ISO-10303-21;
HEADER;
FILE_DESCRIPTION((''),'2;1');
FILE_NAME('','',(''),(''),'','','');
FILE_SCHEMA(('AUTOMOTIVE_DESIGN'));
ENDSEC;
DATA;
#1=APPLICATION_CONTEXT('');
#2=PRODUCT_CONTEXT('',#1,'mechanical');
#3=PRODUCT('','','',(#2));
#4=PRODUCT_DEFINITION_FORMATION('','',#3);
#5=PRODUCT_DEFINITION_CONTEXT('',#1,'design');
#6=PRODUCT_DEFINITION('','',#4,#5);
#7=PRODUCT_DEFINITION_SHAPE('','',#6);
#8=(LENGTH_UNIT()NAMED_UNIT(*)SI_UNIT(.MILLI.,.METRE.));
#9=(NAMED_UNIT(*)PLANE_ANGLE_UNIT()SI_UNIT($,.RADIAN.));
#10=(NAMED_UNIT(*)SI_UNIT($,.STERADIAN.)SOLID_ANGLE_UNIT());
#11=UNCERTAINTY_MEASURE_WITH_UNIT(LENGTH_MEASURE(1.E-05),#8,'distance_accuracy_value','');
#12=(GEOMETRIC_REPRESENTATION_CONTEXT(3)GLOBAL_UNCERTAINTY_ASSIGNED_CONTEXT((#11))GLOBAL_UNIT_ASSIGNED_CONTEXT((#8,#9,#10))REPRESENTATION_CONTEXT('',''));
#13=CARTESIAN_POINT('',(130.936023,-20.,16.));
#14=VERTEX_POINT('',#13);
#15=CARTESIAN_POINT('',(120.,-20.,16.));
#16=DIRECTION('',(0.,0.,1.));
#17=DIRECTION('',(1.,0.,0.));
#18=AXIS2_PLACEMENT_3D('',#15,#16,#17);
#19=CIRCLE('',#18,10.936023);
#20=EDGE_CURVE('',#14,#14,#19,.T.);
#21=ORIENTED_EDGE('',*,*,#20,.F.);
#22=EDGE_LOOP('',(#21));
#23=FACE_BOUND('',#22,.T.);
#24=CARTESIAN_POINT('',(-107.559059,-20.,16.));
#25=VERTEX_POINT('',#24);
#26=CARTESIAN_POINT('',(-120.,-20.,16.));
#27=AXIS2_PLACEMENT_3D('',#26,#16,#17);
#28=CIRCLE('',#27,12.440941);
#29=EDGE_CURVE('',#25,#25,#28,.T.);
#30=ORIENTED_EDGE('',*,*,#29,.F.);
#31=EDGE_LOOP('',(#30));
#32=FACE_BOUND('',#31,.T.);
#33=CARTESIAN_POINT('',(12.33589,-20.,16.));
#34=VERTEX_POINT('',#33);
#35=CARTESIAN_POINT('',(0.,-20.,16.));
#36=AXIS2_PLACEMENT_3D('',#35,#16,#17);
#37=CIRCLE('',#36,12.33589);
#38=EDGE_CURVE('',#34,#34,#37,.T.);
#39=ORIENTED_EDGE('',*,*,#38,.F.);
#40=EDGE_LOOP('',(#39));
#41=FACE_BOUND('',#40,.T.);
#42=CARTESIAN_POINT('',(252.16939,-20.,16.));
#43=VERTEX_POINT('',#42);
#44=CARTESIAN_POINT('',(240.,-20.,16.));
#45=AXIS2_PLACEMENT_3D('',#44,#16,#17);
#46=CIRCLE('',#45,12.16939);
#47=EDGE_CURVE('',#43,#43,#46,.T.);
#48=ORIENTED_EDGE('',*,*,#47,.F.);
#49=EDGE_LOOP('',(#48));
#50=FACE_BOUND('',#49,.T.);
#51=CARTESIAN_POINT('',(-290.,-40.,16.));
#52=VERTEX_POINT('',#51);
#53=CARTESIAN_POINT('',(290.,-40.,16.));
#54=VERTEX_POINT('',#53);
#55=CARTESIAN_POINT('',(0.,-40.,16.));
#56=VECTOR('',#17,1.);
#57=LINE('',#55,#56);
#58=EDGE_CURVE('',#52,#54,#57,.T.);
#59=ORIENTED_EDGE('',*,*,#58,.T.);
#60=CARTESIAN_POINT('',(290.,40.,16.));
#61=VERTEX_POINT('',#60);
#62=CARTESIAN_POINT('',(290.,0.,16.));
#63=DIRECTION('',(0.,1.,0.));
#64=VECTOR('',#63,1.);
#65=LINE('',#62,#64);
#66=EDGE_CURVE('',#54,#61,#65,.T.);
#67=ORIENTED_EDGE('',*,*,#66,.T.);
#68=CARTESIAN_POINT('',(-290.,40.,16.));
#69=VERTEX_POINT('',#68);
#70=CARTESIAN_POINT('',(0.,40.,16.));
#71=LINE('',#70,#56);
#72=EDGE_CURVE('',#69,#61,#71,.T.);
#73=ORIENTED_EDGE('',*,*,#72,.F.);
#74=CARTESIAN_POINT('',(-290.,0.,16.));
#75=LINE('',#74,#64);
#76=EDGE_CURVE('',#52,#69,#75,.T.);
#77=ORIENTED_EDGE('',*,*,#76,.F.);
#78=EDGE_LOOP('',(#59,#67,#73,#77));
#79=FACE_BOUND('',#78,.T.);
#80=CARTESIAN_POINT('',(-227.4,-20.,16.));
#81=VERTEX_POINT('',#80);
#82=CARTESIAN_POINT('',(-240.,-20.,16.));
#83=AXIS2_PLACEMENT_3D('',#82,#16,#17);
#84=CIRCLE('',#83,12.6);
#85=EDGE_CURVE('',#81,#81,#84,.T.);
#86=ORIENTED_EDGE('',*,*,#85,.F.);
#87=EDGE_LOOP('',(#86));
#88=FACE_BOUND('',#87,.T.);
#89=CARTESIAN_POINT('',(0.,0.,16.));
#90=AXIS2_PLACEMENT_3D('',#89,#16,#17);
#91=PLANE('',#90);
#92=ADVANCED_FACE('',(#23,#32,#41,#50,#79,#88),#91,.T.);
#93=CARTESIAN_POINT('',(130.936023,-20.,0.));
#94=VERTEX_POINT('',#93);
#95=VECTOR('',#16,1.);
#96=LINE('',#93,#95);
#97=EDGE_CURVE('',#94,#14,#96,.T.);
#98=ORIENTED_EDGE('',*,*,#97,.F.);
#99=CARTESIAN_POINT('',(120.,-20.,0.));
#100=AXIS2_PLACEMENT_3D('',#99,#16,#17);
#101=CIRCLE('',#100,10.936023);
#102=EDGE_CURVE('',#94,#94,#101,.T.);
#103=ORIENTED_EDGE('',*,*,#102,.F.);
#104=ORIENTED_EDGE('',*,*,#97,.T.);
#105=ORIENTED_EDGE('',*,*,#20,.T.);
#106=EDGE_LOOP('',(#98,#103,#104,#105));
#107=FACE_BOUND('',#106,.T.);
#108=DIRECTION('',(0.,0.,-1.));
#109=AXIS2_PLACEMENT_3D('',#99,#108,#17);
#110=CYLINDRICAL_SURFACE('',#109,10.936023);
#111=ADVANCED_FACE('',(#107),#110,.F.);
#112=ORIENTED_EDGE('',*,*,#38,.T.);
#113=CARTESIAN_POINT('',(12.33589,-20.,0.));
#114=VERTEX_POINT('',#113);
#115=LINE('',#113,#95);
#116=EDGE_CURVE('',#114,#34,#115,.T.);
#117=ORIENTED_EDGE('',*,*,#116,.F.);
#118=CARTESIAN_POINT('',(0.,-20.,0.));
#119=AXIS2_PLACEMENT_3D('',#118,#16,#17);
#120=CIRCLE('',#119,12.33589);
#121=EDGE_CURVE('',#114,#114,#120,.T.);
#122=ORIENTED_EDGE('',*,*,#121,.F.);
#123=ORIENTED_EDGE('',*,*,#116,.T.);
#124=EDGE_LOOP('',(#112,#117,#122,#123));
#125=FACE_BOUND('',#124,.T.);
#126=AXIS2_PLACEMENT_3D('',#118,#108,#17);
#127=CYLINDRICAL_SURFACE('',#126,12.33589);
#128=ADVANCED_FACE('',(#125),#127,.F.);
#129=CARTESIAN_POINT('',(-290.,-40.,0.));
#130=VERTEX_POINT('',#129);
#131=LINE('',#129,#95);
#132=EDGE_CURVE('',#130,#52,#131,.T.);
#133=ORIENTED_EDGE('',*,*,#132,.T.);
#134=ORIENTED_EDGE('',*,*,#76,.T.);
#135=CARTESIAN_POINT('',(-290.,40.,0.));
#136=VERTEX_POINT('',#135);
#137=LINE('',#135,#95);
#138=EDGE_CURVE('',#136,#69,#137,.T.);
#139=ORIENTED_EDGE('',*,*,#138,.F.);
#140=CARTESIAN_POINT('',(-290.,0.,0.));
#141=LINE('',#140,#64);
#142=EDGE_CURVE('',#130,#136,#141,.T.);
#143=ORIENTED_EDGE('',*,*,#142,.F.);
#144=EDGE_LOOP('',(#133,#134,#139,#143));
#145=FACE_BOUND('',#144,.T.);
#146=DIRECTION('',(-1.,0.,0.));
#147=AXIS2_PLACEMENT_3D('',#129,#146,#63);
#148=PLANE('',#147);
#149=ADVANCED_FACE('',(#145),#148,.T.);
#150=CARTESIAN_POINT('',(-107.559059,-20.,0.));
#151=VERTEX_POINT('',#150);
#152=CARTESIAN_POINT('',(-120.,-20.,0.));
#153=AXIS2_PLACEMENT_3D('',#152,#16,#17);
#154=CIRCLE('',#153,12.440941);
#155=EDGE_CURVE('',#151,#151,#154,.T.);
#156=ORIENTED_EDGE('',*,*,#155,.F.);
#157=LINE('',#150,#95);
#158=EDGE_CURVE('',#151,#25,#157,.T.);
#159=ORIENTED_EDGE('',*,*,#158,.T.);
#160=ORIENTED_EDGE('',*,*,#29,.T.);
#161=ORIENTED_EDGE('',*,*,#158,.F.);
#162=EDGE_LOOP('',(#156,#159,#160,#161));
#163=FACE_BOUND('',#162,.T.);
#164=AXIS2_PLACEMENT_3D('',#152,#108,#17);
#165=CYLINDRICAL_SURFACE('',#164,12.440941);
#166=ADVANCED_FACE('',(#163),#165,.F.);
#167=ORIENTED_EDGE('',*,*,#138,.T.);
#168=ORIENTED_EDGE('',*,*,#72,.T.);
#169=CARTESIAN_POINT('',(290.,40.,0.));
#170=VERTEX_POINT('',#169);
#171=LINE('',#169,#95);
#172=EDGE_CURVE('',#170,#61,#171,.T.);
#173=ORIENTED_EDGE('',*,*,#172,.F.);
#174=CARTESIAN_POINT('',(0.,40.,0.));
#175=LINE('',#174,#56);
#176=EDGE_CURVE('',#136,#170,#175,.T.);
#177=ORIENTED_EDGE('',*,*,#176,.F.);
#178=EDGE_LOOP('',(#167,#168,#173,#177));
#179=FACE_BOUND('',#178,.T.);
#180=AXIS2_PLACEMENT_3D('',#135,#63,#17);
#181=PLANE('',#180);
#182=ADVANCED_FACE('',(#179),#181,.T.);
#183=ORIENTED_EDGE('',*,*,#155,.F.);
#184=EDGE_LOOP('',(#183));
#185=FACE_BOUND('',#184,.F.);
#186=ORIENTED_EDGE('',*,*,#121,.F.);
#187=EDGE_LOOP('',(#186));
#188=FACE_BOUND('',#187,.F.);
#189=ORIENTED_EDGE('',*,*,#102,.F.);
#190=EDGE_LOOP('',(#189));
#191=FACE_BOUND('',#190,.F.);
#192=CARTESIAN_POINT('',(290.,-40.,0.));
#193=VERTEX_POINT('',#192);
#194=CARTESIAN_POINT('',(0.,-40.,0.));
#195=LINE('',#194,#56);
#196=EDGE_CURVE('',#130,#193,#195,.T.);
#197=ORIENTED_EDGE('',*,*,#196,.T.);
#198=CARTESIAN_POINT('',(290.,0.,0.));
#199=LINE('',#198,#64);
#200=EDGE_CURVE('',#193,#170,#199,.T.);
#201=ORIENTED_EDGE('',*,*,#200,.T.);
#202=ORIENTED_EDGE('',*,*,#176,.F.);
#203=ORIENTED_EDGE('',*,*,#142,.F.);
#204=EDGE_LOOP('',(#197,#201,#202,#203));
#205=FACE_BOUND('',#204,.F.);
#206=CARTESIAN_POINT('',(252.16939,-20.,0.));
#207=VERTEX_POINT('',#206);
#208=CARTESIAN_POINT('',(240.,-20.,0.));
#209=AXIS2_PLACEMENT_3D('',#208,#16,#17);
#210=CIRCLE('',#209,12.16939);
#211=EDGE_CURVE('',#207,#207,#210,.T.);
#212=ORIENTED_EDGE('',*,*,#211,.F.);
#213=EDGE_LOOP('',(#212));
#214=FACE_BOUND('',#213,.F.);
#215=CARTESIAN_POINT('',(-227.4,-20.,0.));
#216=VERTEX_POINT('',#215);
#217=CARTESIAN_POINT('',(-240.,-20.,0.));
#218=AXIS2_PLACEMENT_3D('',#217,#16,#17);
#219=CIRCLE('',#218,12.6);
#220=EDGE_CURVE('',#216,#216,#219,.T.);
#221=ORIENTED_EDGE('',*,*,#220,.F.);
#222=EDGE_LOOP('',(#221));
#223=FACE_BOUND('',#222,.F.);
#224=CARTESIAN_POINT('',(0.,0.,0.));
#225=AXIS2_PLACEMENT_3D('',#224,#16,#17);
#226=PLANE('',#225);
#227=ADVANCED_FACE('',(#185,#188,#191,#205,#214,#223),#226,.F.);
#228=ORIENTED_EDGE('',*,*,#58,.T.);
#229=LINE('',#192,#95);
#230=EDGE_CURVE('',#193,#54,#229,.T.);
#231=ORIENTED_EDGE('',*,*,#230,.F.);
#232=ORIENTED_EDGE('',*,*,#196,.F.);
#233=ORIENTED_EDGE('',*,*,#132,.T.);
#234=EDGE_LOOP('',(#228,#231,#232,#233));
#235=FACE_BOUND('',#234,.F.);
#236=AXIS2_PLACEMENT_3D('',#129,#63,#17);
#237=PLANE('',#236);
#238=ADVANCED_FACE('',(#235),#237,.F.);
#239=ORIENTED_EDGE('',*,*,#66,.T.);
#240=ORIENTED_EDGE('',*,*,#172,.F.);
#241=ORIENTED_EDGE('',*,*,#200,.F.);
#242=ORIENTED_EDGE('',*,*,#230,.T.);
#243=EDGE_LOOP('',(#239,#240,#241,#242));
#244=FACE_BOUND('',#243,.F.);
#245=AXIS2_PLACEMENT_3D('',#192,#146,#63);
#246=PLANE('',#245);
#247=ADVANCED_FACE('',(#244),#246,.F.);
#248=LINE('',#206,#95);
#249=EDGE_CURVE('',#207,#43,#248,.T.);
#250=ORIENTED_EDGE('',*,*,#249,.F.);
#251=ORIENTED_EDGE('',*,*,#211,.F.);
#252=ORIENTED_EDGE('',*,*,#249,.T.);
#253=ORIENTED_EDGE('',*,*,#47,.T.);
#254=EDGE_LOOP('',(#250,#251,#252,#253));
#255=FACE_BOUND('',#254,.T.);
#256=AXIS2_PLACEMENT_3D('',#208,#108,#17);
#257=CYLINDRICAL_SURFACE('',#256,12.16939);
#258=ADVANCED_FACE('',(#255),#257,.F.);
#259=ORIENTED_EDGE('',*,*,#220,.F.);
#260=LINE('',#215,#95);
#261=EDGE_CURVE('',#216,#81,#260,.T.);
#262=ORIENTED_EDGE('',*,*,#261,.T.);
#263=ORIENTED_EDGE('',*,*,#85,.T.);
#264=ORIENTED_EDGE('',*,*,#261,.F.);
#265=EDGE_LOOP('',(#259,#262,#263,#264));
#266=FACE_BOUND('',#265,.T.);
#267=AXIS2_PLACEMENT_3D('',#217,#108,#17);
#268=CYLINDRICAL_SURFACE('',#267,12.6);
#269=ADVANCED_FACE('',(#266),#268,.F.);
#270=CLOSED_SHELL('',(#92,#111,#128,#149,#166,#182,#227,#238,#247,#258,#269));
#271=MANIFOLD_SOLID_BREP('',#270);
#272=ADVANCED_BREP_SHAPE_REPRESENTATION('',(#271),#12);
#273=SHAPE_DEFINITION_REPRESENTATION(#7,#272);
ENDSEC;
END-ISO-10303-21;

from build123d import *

# Parameters (mm, degrees)
F0_W     = 580
F0_H     = 80
F0_R     = 12.6
F0_R_2   = 12.440941
F0_R_3   = 12.33589
F0_R_4   = 10.936023
F0_R_5   = 12.16939
F1_DEPTH = 16


with BuildPart() as f1:
    # F0 (on Top) → F1 (new body)
    with BuildSketch(Plane.XY):
        Rectangle(F0_W, F0_H)
        with Locations((-240, -20)):
            Circle(F0_R, mode=Mode.SUBTRACT)
        with Locations((-120, -20)):
            Circle(F0_R_2, mode=Mode.SUBTRACT)
        with Locations((0, -20)):
            Circle(F0_R_3, mode=Mode.SUBTRACT)
        with Locations((120, -20)):
            Circle(F0_R_4, mode=Mode.SUBTRACT)
        with Locations((240, -20)):
            Circle(F0_R_5, mode=Mode.SUBTRACT)
    extrude(amount=F1_DEPTH)


solid = f1.part
